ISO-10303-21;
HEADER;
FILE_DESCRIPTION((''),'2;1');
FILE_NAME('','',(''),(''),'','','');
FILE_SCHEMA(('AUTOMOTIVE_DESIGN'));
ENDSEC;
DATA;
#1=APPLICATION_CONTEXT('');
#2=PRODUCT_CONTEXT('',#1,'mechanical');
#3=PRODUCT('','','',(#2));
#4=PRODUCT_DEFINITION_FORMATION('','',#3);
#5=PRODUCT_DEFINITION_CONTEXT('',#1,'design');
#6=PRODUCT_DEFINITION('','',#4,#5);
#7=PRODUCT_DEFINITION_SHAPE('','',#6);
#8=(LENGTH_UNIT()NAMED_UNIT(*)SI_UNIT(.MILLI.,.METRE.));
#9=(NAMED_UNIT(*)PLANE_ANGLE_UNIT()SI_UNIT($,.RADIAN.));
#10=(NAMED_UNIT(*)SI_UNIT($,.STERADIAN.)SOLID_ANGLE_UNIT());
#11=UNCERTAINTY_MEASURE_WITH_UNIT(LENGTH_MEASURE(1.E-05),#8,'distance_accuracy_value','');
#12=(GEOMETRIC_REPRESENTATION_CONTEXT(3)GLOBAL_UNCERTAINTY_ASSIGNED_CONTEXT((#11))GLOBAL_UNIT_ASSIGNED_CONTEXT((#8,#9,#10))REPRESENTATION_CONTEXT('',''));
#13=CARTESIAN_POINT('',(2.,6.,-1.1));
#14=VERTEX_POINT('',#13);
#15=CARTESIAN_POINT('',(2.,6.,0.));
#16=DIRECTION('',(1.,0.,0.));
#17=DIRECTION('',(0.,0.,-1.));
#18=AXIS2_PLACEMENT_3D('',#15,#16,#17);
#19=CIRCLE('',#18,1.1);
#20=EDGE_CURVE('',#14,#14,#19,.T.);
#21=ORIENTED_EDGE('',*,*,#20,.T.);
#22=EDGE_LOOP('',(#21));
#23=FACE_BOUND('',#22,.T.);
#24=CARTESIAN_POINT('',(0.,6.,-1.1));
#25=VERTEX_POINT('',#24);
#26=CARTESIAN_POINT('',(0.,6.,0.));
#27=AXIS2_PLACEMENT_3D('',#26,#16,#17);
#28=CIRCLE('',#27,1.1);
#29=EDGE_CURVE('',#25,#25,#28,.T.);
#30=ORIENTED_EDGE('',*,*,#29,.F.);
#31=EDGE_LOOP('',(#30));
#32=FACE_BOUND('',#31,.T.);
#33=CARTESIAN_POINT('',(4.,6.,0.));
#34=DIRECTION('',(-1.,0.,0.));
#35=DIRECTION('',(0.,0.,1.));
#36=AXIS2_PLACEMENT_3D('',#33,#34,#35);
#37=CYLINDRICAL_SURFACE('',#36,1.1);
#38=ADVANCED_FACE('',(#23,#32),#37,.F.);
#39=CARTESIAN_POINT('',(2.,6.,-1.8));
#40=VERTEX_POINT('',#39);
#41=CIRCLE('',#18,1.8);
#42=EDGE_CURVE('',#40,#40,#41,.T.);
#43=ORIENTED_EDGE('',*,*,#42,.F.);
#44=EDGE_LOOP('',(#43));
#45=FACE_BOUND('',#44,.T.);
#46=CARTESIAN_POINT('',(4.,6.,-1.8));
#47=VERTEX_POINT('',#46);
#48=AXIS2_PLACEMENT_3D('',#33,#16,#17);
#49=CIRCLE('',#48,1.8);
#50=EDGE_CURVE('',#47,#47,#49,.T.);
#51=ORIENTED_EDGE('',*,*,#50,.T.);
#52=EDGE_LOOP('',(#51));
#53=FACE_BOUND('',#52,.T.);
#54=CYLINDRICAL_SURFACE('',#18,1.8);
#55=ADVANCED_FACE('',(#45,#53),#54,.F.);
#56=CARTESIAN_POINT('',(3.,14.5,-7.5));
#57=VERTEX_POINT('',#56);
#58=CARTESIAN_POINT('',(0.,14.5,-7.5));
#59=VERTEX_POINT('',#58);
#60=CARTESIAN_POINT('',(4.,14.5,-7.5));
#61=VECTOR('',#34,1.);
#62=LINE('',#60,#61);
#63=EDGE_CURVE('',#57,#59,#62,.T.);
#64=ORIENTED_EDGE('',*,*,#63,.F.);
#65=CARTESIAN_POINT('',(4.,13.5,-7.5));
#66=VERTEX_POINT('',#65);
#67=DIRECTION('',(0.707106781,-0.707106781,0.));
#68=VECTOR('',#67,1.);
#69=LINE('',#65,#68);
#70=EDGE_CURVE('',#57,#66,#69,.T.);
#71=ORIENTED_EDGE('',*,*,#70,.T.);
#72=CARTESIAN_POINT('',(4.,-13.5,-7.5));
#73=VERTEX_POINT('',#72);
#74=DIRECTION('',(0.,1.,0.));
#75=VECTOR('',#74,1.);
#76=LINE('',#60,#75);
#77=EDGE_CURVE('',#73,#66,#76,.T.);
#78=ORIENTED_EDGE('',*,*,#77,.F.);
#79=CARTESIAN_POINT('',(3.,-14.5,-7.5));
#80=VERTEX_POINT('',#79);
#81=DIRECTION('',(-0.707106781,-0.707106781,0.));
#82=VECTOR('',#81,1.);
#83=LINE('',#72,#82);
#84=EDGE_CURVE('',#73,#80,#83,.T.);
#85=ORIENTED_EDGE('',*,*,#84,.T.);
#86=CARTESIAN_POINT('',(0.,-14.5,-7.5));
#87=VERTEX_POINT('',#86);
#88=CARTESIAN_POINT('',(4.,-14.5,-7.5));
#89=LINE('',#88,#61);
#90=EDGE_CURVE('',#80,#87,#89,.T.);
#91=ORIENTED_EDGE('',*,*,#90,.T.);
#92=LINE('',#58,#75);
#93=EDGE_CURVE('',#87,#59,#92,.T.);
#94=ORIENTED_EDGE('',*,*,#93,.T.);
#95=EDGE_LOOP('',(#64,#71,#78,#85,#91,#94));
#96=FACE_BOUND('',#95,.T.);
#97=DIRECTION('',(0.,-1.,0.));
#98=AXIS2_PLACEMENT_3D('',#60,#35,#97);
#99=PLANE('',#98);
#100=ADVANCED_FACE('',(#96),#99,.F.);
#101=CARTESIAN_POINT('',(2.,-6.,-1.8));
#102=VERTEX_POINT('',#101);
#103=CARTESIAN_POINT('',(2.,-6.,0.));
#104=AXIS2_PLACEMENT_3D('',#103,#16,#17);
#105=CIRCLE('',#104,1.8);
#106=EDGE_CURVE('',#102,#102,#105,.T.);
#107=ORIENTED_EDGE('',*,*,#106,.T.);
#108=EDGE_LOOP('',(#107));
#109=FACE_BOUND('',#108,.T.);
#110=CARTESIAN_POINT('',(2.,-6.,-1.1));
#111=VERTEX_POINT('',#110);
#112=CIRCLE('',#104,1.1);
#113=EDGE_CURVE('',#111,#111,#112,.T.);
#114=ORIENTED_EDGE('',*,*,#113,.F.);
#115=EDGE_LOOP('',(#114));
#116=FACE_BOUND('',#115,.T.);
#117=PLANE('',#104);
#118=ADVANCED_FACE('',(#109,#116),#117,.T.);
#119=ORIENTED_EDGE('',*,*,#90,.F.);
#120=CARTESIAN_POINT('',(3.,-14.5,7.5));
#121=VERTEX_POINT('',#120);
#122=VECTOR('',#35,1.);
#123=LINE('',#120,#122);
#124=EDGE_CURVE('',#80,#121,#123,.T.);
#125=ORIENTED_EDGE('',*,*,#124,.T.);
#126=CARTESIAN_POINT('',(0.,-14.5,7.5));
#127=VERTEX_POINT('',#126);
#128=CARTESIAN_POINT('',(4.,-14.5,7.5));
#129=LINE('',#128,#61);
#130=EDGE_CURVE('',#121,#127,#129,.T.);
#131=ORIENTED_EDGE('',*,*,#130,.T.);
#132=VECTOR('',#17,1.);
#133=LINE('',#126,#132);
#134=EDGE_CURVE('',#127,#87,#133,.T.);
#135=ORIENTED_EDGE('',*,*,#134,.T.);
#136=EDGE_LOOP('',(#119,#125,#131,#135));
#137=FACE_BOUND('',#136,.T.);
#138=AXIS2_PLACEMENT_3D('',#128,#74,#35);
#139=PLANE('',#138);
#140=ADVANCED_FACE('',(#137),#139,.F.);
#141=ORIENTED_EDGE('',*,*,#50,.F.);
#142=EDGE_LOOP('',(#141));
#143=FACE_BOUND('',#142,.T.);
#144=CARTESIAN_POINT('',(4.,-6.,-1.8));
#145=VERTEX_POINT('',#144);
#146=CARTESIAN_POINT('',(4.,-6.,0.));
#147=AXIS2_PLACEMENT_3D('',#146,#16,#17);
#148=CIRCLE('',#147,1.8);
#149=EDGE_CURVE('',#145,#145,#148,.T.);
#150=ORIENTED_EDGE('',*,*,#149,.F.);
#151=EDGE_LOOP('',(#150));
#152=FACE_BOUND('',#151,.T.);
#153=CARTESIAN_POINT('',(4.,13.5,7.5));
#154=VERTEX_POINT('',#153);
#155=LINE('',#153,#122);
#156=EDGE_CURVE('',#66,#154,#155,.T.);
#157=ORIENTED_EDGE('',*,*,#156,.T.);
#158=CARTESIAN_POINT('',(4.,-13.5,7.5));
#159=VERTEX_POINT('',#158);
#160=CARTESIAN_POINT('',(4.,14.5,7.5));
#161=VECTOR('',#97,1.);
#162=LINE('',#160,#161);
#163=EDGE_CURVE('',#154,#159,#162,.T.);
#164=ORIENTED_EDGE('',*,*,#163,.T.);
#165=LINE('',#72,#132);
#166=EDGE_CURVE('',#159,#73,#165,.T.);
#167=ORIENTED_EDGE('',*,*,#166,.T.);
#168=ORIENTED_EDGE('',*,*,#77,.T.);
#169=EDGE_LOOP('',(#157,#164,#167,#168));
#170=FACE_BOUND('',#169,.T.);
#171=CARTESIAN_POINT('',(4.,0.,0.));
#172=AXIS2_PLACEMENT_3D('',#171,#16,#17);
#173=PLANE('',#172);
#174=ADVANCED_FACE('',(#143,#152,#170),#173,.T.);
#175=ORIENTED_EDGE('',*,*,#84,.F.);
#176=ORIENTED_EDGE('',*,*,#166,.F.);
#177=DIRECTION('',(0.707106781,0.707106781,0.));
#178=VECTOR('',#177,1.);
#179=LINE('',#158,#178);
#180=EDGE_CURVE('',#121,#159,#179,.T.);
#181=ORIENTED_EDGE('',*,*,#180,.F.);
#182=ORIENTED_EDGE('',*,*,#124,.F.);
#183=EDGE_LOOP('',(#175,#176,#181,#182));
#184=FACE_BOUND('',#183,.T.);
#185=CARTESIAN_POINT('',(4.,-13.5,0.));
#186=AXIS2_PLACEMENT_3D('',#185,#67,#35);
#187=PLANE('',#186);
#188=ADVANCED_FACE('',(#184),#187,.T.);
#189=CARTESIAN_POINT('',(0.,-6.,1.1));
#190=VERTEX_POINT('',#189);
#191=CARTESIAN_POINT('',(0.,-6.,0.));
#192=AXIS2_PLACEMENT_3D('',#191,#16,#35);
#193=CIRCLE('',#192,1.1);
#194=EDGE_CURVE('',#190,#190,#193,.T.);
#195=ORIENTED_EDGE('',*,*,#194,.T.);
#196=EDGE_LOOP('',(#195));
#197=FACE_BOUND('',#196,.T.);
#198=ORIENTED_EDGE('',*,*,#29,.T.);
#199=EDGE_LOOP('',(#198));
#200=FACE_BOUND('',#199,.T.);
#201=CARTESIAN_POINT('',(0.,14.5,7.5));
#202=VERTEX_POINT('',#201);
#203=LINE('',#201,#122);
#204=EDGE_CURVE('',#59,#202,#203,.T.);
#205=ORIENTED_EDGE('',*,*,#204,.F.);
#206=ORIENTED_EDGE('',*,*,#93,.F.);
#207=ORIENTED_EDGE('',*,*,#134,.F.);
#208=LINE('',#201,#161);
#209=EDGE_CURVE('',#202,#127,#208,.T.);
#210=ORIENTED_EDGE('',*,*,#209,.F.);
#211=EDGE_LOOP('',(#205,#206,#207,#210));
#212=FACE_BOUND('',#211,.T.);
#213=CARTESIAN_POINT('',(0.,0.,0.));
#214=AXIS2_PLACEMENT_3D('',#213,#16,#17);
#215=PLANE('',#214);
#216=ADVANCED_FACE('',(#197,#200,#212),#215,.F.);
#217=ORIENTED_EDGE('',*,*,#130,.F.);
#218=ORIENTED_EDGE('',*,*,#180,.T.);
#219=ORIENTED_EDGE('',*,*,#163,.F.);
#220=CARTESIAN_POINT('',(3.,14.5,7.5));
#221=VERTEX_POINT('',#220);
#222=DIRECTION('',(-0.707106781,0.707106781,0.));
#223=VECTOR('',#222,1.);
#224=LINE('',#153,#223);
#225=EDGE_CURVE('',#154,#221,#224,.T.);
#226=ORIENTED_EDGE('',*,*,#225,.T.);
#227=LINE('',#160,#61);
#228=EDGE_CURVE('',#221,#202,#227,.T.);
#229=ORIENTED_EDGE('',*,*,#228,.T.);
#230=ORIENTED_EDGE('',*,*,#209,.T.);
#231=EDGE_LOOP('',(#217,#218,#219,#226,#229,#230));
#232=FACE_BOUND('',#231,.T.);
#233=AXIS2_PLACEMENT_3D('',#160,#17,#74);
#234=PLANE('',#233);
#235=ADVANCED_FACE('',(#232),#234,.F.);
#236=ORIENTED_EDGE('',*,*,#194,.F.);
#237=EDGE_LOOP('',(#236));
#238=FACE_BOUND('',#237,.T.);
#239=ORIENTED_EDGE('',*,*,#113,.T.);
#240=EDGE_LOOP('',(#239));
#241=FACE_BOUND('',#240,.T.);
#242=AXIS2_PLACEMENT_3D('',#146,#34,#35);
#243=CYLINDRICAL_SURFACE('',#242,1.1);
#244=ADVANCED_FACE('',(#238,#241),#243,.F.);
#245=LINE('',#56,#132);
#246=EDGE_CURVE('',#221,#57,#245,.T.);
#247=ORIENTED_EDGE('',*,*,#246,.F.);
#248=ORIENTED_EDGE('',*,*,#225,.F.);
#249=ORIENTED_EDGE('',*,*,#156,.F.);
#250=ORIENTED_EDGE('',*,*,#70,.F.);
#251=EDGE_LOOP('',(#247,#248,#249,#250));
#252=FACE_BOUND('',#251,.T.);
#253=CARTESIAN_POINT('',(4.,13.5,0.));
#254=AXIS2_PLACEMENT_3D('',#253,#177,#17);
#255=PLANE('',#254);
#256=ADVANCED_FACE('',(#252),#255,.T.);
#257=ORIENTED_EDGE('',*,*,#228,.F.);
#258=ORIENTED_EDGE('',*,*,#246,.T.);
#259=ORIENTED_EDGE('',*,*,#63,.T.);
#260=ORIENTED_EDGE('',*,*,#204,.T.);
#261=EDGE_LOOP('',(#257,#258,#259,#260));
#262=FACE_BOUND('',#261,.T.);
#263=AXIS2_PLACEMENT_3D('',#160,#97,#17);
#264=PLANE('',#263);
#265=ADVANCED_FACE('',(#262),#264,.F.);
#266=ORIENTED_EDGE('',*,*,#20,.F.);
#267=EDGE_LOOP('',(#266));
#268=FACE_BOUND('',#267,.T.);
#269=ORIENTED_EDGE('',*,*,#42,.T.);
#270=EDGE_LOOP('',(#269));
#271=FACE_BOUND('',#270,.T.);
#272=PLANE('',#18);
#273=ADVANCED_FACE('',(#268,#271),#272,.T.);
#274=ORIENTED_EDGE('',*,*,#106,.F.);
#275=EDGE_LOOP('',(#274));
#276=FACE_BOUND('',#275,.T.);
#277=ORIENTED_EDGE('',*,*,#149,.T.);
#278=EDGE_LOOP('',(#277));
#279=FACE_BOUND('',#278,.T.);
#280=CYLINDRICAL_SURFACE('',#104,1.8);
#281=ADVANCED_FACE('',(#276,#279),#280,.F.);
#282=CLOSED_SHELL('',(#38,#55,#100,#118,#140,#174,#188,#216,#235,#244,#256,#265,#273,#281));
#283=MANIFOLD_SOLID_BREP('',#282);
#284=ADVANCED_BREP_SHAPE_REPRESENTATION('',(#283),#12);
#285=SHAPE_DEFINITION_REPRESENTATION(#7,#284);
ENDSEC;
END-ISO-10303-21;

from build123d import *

# Parameters (mm, degrees)
SKETCH_1_W          = 15
SKETCH_1_H          = 29
SKETCH_1_R          = 1.1
EXTRUDE_1_DEPTH     = 4
SKETCH_2_R          = 1.8
CUT_EXTRUDE_1_DEPTH = 2
CHAMFER_1_SIZE      = 1


with BuildPart() as part:
    # Эскиз1 → Бобышка-Вытянуть1 (new body)
    with BuildSketch(Plane(origin=(0, 0, 0), x_dir=(0, 0, -1), z_dir=(1, 0, 0))):
        Rectangle(SKETCH_1_W, SKETCH_1_H)
        with Locations((0, 6)):
            Circle(SKETCH_1_R, mode=Mode.SUBTRACT)
        with Locations(Location((0, -6, 0), (0, 0, 180))):
            Circle(SKETCH_1_R, mode=Mode.SUBTRACT)
    extrude(amount=EXTRUDE_1_DEPTH)

    # Эскиз2 → Вырез-Вытянуть1 (cut)
    with BuildSketch(Plane(origin=(4, 0, 0), x_dir=(0, 0, -1), z_dir=(1, 0, 0))):
        with Locations((0, 6)):
            Circle(SKETCH_2_R)
        with Locations((0, -6)):
            Circle(SKETCH_2_R)
    extrude(amount=-CUT_EXTRUDE_1_DEPTH, mode=Mode.SUBTRACT)

    # Фаска1
    chamfer_1_edges = [part.edges().sort_by_distance(p)[0] for p in [
        (4, -14.5, 0),
        (4, 14.5, 0),
    ]]
    chamfer(chamfer_1_edges, length=CHAMFER_1_SIZE)


solid = part.part
